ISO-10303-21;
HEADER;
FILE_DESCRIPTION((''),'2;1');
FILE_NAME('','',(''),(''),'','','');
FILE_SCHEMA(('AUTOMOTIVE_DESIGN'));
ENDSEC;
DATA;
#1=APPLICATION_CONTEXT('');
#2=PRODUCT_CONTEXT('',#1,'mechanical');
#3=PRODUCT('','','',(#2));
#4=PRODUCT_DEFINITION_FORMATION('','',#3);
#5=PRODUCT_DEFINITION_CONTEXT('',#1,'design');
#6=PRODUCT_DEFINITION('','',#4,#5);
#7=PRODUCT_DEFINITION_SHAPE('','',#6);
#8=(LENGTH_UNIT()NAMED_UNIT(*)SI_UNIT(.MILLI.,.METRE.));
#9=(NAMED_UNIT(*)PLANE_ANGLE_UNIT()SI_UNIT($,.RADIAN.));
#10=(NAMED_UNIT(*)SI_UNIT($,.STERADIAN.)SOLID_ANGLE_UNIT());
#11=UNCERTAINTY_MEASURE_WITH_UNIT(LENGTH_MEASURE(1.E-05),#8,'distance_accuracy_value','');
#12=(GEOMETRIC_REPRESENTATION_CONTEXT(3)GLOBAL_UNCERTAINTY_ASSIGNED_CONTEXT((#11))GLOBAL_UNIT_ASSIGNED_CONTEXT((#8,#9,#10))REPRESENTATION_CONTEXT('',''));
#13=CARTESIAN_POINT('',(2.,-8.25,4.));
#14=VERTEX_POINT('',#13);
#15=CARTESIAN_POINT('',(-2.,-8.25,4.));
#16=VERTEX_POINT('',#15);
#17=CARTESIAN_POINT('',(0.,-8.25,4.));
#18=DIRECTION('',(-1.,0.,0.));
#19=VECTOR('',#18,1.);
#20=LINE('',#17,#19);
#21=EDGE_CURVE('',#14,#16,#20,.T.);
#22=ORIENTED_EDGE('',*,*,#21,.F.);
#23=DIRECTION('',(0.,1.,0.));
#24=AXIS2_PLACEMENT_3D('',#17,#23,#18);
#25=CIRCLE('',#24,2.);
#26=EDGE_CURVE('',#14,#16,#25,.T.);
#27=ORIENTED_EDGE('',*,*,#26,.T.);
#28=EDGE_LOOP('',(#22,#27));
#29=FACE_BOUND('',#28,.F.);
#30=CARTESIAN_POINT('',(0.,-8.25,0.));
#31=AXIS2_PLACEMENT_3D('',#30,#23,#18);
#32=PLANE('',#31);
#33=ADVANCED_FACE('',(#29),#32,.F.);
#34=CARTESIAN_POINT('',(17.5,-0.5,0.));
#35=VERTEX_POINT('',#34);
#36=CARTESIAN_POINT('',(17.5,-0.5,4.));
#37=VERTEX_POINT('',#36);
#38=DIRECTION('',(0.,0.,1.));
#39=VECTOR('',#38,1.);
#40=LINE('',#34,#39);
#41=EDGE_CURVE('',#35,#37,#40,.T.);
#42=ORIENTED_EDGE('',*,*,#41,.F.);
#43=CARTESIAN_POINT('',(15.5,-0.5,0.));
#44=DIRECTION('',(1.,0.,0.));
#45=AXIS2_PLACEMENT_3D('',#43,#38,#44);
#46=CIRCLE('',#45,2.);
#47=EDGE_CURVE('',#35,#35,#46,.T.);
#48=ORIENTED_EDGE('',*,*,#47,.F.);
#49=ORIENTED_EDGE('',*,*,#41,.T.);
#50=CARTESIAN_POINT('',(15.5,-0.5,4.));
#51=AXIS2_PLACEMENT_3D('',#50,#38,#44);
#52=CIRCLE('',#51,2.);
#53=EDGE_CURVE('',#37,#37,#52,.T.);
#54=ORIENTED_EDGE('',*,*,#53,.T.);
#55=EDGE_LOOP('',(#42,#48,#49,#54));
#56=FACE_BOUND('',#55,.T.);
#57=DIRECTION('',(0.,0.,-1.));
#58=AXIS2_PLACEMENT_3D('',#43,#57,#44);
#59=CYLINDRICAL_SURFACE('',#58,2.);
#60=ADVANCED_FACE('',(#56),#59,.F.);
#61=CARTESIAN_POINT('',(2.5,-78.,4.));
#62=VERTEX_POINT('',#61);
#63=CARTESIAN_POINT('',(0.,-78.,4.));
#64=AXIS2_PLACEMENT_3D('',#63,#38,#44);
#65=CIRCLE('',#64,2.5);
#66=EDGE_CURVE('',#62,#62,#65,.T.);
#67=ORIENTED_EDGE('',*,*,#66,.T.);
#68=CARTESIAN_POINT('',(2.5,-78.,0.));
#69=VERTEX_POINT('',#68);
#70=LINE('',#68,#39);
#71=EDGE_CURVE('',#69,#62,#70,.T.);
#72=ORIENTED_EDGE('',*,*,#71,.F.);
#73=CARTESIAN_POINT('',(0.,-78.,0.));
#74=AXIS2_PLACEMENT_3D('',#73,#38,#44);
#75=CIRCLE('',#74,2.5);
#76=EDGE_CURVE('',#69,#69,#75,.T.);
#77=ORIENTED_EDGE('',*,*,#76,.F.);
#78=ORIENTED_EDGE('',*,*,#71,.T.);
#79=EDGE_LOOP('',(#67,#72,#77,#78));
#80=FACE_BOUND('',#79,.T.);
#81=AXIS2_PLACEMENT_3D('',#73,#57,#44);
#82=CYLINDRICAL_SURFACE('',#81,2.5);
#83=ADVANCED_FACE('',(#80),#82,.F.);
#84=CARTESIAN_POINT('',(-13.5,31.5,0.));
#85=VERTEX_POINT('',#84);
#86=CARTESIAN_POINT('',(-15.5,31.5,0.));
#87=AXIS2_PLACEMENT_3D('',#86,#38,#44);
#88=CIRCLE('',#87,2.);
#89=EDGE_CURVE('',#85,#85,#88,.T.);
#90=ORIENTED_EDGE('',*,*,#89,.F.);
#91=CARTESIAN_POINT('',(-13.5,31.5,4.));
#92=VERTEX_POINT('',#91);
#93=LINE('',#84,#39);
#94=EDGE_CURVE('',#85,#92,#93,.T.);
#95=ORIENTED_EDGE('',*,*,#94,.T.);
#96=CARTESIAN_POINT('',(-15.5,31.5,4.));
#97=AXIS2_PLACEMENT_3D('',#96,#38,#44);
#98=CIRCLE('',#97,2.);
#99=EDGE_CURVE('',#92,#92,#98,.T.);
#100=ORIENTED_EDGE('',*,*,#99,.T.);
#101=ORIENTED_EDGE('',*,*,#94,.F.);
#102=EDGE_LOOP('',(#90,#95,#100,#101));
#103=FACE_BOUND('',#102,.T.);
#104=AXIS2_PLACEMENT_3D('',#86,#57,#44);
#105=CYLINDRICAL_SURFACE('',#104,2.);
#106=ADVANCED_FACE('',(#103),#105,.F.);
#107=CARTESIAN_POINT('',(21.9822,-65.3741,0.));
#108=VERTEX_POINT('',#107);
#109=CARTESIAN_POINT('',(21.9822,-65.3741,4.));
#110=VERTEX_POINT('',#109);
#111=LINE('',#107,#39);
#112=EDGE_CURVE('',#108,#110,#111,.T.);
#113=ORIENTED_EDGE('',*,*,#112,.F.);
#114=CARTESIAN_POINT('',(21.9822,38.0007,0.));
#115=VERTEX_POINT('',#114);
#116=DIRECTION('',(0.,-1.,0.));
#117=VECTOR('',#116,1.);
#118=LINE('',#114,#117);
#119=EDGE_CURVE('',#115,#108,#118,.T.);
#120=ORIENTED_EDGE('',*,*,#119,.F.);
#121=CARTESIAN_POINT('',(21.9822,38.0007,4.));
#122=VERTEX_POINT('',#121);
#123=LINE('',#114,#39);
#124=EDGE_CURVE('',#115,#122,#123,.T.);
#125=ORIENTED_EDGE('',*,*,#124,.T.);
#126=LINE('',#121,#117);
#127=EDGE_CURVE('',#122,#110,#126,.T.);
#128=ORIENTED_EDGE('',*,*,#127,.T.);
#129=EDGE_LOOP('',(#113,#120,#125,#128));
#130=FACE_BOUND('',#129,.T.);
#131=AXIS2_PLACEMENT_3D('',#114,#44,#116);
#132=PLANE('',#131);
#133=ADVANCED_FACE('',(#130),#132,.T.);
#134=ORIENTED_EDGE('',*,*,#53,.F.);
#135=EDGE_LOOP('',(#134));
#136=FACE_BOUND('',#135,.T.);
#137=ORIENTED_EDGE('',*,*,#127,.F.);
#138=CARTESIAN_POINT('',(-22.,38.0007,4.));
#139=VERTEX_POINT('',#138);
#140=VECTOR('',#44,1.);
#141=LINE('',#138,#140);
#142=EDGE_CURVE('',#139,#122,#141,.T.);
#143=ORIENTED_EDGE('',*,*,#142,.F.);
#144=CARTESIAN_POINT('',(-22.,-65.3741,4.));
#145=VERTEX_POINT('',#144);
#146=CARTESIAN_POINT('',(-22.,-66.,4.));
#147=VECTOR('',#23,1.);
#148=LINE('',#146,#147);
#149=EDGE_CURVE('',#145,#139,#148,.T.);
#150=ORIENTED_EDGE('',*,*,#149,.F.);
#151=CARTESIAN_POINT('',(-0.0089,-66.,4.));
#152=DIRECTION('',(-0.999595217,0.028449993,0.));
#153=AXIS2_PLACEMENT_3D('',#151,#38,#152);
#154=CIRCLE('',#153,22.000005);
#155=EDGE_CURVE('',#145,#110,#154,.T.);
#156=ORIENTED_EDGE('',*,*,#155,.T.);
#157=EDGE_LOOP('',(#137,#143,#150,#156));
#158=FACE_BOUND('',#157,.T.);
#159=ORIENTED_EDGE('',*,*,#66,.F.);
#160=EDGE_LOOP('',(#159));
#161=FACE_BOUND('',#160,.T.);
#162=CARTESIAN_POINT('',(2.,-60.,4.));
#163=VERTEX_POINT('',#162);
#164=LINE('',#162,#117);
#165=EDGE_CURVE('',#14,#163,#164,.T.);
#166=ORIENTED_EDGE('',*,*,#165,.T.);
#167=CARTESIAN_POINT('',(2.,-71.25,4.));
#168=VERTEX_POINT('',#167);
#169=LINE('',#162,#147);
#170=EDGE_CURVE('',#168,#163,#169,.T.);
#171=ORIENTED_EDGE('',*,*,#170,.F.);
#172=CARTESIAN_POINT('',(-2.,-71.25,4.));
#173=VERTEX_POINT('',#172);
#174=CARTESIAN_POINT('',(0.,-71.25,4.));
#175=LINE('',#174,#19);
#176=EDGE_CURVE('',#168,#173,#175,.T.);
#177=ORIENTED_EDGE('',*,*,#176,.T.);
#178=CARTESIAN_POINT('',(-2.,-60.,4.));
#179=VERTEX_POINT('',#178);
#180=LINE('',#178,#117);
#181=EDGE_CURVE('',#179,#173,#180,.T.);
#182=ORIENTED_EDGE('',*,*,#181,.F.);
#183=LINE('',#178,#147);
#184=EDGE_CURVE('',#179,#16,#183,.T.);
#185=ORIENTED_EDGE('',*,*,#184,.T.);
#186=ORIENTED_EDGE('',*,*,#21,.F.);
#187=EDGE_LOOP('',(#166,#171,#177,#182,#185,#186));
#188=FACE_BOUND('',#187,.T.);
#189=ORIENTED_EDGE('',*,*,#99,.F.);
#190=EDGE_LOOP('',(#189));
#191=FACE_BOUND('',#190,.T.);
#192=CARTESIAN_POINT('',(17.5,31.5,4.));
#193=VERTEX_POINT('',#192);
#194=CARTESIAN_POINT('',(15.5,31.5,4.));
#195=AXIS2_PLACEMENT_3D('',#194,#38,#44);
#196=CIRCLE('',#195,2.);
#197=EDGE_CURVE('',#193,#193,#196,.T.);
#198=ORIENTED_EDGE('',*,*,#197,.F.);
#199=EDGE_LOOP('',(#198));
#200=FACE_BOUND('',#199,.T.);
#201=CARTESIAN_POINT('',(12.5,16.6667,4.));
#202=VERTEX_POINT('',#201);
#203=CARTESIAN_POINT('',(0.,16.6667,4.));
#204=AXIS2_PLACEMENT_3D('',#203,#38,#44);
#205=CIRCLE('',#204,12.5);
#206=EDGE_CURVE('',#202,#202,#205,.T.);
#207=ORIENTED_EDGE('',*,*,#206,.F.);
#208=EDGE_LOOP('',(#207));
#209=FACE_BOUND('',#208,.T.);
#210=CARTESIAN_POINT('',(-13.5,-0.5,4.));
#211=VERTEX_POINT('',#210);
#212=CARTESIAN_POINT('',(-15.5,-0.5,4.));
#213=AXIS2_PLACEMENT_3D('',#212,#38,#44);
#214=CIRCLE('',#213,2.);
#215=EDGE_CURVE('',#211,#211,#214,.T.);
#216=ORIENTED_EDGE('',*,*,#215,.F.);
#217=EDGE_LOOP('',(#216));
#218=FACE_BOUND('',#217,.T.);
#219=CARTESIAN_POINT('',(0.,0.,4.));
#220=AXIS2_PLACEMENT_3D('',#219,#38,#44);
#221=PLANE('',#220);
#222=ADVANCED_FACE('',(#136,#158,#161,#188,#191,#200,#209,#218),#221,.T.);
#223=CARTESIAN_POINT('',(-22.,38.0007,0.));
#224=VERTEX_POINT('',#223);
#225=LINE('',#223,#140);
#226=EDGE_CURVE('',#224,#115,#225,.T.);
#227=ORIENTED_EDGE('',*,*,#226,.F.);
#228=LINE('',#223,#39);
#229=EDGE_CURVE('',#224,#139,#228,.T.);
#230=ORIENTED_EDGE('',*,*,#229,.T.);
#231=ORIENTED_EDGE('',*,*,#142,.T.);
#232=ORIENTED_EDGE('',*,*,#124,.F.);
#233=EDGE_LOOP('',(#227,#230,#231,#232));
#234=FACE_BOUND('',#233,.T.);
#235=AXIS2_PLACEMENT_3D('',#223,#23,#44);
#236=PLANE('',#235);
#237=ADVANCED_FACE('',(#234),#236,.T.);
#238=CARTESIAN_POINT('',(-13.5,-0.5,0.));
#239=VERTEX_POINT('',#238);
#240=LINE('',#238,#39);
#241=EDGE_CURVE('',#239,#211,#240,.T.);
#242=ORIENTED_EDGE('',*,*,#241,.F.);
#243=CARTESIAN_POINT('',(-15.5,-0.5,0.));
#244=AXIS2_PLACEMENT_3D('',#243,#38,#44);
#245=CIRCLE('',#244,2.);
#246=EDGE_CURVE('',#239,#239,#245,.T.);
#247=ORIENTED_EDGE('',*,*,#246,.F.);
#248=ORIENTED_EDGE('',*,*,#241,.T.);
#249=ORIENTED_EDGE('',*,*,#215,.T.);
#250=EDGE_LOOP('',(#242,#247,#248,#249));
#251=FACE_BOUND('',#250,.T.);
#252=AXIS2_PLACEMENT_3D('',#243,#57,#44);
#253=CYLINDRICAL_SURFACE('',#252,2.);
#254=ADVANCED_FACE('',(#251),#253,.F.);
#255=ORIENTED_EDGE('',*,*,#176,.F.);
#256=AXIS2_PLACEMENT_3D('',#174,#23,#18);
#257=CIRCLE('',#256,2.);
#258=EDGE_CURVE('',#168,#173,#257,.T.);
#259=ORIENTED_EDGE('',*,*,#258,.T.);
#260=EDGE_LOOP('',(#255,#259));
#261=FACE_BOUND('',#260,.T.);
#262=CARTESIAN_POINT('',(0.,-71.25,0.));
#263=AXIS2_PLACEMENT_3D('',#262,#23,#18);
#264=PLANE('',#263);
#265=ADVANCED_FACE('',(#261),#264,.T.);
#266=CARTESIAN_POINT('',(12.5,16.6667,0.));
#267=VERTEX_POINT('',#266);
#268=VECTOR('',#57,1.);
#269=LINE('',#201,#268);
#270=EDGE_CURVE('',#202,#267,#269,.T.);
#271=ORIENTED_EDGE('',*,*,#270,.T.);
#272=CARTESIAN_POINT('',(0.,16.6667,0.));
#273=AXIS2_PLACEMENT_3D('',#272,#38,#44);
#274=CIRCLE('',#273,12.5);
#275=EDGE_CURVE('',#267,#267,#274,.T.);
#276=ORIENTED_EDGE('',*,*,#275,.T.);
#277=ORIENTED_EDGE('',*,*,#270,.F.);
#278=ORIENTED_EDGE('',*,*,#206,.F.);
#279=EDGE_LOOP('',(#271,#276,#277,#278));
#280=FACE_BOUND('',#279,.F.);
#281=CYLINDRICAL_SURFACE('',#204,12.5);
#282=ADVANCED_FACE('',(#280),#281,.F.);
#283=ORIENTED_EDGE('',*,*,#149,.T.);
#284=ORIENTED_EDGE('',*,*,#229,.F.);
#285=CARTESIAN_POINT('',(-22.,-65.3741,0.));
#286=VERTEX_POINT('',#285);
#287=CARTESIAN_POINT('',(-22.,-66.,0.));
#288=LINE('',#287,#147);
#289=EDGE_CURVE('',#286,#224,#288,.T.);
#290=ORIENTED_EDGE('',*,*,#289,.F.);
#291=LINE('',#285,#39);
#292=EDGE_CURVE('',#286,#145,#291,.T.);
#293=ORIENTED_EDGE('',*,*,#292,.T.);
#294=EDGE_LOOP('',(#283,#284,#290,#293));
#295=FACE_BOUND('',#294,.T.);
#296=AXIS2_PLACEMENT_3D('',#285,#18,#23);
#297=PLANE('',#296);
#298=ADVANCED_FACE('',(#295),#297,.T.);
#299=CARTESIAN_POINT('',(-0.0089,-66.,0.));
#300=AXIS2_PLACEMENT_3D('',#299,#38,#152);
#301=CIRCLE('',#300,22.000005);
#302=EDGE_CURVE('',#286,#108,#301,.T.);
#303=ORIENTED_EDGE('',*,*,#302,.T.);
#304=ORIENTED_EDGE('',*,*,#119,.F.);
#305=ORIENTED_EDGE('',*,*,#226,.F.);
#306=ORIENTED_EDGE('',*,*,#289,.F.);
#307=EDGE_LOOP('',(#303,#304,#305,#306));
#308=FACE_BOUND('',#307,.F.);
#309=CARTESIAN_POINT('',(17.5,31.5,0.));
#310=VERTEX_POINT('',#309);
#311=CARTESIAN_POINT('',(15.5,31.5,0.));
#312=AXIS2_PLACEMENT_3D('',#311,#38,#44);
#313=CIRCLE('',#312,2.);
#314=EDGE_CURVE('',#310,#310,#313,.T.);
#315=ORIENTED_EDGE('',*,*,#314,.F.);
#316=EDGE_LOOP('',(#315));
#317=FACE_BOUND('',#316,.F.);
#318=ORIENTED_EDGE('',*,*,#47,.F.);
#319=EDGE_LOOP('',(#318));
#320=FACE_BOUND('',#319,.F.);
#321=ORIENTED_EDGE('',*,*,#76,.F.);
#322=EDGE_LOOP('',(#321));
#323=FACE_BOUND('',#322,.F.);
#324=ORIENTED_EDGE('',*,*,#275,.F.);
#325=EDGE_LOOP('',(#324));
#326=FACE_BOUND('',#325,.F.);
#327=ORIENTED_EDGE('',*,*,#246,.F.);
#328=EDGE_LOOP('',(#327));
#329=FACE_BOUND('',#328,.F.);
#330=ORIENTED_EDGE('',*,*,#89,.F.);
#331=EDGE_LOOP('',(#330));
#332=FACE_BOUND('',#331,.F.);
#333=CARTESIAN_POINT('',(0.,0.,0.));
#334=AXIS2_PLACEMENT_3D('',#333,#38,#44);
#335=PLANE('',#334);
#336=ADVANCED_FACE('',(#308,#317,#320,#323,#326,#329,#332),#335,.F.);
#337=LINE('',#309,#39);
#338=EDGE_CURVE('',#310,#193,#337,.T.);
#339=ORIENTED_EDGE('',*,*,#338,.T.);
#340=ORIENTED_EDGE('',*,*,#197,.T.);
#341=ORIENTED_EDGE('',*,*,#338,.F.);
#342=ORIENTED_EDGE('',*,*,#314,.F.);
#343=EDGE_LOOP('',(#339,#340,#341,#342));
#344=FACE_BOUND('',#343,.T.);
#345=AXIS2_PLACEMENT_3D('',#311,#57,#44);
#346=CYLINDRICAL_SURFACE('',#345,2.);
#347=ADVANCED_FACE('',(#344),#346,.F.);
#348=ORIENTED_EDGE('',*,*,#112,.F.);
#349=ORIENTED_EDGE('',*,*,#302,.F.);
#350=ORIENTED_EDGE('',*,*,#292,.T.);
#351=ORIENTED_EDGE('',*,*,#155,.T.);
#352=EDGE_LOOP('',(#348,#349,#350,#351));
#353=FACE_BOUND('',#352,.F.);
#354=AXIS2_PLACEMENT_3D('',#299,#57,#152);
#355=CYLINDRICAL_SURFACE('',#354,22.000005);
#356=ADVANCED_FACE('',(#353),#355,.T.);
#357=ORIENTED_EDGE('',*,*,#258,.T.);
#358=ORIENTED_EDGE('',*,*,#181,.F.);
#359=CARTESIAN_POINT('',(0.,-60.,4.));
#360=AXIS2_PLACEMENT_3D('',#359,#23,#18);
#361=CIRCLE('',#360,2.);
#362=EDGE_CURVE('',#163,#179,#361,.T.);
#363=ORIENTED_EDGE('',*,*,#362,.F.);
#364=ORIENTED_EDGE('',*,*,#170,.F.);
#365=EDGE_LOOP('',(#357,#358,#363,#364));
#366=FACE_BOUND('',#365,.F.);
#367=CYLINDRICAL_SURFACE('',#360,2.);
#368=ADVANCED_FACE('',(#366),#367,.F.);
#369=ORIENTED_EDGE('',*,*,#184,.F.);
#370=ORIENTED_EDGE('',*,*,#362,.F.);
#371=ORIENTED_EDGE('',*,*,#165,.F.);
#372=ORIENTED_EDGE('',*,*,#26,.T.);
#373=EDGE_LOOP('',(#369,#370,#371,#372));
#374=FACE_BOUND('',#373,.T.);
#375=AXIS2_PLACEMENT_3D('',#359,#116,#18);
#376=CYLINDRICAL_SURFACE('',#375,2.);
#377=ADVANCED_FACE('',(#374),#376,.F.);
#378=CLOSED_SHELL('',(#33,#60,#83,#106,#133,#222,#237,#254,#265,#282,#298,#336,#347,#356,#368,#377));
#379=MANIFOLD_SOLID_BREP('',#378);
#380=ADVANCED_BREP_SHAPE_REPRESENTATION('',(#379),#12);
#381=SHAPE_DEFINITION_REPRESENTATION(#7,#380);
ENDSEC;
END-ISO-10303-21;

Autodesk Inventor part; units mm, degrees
ref_plane "YZ Plane" through (0, 0, 0) normal (1, 0, 0) x (0, 1, 0)
ref_plane "XY Plane" through (0, 0, 0) normal (0, 0, 1) x (1, 0, 0)
sketch "Sketch1" plane through (0, 0, 0) normal (0, 0, 1) x (1, 0, 0)
  line L0 (-22, 38.0007) -> (21.9822, 38.0007)
  line L1 (21.9822, 38.0007) -> (21.9822, -66)
  line L2 (-22, -66) -> (-22, 38.0007)
  arc A0 (-22, -65.3741) -> (21.9822, -65.3741) centre (-0.0089, -66) ccw
  point P0 (0, 0)
  dimension "d22" = 44
extrude "Extrusion1" add sketch "Sketch1" along normal blind 4
sketch "Sketch2" plane through (0, 0, 0) normal (0, 0, 1) x (1, 0, 0)
  circle A0 centre (-15.5, 31.5) radius 2
  circle A1 centre (15.5, 31.5) radius 2
  circle A2 centre (-15.5, -0.5) radius 2
  circle A3 centre (15.5, -0.5) radius 2
  point P0 (0, 0)
extrude "Extrusion2" cut sketch "Sketch2" along normal blind 4
sketch "Sketch3" plane through (0, 0, 0) normal (0, 0, 1) x (1, 0, 0)
  circle A0 centre (0, -78) radius 2.5
  point P0 (0, 0)
  dimension "d24" = 5
extrude "Extrusion3" cut sketch "Sketch3" along normal blind 4
ref_plane "Work Plane1" through (0, -60, 0) normal (0, 1, 0) x (-1, 0, 0)
sketch "Sketch4" plane through (0, -60, 0) normal (0, 1, 0) x (-1, 0, 0)
  circle A0 centre (0, 4) radius 2
  point P0 (0, 0)
  dimension "d14" = 4
extrude "Extrusion4" cut sketch "Sketch4" along normal blind 51.75 and the other way blind 11.25
sketch "Sketch5" plane through (0, 0, 4) normal (0, 0, 1) x (1, 0, 0)
  circle A0 centre (0, 16.6667) radius 12.5
  point P0 (0, 0)
  dimension "d19" = 25
extrude "Extrusion5" cut sketch "Sketch5" against normal blind 4
properties part number "DispenserBrace"
